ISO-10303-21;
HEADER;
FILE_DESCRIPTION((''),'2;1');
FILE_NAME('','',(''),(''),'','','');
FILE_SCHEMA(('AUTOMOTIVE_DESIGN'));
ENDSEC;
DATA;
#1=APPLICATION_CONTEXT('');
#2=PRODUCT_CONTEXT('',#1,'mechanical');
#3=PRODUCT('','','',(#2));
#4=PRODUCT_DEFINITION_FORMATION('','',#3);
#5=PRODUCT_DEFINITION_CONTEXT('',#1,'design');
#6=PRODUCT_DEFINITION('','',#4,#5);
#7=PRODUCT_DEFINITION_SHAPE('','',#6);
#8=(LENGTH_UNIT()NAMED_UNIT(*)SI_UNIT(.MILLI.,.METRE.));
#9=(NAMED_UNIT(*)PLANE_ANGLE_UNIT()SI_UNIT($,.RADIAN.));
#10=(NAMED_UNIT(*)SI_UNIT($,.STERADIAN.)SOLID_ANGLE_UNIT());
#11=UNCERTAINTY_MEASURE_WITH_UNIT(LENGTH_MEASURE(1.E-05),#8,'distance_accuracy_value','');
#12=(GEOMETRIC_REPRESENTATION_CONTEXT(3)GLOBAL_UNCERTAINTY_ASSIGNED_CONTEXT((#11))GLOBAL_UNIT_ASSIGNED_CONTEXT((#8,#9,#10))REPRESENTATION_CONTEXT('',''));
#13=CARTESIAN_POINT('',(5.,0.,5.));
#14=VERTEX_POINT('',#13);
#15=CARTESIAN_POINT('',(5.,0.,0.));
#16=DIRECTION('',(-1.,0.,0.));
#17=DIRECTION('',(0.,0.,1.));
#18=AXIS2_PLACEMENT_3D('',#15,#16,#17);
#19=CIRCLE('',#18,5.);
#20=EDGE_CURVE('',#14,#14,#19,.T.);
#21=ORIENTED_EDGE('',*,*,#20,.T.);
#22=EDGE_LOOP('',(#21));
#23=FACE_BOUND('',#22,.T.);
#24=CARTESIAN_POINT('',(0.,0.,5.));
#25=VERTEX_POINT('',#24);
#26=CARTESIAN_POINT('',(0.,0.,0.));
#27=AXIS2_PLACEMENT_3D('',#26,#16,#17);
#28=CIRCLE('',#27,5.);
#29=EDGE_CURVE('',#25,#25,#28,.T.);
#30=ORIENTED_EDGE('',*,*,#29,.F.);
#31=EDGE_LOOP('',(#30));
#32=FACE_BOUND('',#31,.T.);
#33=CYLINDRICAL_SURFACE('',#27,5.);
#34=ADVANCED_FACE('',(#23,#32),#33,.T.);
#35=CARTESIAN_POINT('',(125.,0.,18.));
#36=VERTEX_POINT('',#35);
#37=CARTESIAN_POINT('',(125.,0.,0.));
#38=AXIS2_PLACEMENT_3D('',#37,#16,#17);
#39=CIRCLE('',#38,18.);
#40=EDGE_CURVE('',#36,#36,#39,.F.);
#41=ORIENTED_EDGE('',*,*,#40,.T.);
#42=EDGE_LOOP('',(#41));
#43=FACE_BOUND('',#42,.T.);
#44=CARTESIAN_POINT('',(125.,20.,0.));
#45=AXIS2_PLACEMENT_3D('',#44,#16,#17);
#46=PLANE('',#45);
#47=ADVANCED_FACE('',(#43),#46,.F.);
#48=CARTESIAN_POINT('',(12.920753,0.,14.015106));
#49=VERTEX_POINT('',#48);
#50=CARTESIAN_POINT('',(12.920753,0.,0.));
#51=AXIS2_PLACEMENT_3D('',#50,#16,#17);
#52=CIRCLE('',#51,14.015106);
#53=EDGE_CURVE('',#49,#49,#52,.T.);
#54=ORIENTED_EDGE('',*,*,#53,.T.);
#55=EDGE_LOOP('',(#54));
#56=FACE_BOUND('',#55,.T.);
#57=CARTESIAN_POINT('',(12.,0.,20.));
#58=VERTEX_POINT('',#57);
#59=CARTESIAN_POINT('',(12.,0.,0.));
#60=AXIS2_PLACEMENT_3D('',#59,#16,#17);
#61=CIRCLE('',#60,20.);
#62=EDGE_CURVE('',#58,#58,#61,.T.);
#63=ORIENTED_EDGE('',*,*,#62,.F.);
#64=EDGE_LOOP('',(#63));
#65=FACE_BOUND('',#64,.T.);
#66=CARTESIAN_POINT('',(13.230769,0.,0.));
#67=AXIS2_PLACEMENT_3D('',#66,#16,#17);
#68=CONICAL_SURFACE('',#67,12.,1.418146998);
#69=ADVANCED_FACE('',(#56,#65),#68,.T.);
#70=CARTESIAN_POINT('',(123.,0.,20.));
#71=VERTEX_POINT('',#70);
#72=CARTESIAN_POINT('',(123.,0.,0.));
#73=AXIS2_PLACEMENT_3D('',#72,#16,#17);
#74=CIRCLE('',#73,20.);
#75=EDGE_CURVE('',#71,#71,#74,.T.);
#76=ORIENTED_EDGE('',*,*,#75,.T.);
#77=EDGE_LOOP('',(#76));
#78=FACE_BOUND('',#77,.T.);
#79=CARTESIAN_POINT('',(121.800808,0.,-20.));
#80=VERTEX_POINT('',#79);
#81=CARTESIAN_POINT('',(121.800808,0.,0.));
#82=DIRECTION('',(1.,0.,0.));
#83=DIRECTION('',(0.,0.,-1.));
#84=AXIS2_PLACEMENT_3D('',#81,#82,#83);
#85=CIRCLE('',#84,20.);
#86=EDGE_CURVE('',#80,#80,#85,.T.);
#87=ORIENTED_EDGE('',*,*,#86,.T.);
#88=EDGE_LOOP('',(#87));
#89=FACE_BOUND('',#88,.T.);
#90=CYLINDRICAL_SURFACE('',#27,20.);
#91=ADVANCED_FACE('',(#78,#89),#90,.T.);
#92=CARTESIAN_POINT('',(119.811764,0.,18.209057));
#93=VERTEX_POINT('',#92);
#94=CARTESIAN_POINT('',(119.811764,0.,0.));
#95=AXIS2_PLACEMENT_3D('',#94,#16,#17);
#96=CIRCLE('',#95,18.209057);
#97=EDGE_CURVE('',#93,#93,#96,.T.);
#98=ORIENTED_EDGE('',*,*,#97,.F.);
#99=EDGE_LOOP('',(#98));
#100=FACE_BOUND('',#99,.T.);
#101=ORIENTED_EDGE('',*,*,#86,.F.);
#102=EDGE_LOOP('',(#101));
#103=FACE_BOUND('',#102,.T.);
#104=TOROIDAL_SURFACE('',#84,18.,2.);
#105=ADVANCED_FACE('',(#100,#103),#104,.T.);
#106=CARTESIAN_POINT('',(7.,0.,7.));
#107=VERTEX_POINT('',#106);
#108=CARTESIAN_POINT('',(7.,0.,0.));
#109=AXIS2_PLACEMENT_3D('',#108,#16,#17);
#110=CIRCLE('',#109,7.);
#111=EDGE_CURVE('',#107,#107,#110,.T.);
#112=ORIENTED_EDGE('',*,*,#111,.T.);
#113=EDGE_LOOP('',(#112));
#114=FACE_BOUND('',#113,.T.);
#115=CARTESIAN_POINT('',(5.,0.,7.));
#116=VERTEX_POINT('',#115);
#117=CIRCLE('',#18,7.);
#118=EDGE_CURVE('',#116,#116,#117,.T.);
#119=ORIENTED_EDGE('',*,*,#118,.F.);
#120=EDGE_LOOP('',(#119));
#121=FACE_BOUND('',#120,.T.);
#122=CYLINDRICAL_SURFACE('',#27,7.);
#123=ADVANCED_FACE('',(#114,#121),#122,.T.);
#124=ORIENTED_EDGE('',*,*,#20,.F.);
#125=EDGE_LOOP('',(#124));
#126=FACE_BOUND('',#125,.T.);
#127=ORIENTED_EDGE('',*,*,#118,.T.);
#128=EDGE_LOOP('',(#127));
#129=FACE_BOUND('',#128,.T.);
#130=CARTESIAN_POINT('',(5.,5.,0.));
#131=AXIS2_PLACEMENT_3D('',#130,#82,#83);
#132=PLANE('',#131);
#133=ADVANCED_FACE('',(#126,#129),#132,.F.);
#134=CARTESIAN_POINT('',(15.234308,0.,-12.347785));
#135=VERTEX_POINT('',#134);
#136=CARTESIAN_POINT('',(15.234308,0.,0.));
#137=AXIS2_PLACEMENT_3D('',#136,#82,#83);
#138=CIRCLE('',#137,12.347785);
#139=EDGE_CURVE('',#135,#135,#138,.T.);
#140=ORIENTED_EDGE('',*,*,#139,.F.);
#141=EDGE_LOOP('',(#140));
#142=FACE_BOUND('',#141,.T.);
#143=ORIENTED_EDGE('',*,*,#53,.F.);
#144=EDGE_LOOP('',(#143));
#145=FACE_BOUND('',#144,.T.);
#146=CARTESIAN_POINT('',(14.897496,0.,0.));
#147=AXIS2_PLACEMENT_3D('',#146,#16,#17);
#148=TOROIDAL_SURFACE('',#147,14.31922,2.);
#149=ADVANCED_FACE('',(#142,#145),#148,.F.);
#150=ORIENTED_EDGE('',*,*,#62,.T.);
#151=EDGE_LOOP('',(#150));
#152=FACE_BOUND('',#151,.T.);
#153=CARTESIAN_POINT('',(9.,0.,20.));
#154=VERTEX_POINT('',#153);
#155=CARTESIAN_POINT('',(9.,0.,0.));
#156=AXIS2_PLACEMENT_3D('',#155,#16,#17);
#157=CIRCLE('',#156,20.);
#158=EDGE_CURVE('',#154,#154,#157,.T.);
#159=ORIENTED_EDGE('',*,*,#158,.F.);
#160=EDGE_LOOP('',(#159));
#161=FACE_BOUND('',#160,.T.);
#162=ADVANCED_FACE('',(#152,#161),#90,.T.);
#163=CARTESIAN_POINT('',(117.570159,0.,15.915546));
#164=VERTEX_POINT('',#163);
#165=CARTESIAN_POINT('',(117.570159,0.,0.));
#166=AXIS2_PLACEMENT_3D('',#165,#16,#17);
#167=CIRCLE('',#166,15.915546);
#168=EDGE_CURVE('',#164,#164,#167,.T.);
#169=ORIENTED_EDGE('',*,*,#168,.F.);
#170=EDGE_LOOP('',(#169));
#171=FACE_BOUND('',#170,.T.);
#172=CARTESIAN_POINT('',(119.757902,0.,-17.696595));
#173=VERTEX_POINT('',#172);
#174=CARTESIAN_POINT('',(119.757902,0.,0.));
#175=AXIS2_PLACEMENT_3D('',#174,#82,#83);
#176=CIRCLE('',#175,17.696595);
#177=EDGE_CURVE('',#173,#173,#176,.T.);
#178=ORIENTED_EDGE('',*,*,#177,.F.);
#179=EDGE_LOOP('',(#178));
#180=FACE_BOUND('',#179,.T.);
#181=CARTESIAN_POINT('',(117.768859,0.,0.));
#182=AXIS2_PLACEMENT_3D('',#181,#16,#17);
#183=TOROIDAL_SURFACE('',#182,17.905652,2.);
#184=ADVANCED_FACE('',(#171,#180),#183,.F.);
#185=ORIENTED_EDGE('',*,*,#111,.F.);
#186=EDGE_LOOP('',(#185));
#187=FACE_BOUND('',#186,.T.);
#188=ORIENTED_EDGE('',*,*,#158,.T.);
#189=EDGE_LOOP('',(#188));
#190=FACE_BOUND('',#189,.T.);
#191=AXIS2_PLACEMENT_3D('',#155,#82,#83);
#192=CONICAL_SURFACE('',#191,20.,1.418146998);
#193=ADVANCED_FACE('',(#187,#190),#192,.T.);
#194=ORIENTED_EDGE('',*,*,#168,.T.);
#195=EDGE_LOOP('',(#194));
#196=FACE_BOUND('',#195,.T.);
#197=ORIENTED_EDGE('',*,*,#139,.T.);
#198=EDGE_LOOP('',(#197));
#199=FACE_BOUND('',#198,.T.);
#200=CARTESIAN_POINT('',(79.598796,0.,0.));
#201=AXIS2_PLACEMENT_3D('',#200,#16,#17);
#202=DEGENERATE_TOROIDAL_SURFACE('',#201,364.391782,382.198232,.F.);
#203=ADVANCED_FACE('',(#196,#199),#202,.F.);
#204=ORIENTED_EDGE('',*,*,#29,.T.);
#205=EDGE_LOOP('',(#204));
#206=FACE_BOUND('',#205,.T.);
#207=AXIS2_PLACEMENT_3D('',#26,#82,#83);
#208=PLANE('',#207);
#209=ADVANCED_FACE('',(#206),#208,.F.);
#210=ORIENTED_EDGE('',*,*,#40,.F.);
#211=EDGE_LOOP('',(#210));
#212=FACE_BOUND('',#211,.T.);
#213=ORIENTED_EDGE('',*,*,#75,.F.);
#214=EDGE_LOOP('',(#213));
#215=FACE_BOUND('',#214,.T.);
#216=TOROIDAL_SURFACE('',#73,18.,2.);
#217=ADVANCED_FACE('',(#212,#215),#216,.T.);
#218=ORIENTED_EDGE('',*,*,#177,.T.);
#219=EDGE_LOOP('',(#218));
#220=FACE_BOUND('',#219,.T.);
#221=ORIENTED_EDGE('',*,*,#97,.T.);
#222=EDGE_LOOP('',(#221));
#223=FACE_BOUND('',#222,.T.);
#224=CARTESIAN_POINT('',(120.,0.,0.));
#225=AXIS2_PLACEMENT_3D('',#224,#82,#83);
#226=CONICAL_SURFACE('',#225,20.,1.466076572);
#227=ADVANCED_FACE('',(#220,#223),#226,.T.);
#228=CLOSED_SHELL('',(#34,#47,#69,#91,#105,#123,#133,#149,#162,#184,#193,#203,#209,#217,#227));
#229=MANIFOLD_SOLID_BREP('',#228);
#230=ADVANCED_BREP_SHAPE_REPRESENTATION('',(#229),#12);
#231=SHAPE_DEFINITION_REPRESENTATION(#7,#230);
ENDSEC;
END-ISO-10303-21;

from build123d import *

# Parameters (mm, degrees)
VERRUNDUNG2_R = 2


with BuildPart() as part:
    # Skizze1 → Rotation1 (revolve)
    with BuildSketch(Plane.XY, mode=Mode.PRIVATE) as rotation1_sk:
        with BuildLine():
            Line((0, 0), (0, 5))
            Line((0, 5), (5, 5))
            Line((5, 5), (5, 7))
            Line((5, 7), (7, 7))
            Line((7, 7), (9, 20))
            Line((9, 20), (12, 20))
            Line((12, 20), (13.230769231, 12))
            ThreePointArc((13.230769231, 12), (66.260269777, 17.573625101), (119.549389559, 15.712728033))
            Line((119.549389559, 15.712728033), (120, 20))
            Line((120, 20), (125, 20))
            Line((125, 20), (125, 0))
            Line((125, 0), (0, 0))
        make_face()
    revolve(rotation1_sk.sketch.rotate(Axis((0, 0, 0), (1, 0, 0)), 90), axis=Axis((0, 0, 0), (1, 0, 0)))

    # Verrundung2
    verrundung2_edges = [part.edges().sort_by_distance(p)[0] for p in [
        (13.230769231, 0, -12),
        (125, 0, -20),
        (120, 0, -20),
        (119.549389559, 0, -15.712728033),
    ]]
    fillet(verrundung2_edges, radius=VERRUNDUNG2_R)


solid = part.part
